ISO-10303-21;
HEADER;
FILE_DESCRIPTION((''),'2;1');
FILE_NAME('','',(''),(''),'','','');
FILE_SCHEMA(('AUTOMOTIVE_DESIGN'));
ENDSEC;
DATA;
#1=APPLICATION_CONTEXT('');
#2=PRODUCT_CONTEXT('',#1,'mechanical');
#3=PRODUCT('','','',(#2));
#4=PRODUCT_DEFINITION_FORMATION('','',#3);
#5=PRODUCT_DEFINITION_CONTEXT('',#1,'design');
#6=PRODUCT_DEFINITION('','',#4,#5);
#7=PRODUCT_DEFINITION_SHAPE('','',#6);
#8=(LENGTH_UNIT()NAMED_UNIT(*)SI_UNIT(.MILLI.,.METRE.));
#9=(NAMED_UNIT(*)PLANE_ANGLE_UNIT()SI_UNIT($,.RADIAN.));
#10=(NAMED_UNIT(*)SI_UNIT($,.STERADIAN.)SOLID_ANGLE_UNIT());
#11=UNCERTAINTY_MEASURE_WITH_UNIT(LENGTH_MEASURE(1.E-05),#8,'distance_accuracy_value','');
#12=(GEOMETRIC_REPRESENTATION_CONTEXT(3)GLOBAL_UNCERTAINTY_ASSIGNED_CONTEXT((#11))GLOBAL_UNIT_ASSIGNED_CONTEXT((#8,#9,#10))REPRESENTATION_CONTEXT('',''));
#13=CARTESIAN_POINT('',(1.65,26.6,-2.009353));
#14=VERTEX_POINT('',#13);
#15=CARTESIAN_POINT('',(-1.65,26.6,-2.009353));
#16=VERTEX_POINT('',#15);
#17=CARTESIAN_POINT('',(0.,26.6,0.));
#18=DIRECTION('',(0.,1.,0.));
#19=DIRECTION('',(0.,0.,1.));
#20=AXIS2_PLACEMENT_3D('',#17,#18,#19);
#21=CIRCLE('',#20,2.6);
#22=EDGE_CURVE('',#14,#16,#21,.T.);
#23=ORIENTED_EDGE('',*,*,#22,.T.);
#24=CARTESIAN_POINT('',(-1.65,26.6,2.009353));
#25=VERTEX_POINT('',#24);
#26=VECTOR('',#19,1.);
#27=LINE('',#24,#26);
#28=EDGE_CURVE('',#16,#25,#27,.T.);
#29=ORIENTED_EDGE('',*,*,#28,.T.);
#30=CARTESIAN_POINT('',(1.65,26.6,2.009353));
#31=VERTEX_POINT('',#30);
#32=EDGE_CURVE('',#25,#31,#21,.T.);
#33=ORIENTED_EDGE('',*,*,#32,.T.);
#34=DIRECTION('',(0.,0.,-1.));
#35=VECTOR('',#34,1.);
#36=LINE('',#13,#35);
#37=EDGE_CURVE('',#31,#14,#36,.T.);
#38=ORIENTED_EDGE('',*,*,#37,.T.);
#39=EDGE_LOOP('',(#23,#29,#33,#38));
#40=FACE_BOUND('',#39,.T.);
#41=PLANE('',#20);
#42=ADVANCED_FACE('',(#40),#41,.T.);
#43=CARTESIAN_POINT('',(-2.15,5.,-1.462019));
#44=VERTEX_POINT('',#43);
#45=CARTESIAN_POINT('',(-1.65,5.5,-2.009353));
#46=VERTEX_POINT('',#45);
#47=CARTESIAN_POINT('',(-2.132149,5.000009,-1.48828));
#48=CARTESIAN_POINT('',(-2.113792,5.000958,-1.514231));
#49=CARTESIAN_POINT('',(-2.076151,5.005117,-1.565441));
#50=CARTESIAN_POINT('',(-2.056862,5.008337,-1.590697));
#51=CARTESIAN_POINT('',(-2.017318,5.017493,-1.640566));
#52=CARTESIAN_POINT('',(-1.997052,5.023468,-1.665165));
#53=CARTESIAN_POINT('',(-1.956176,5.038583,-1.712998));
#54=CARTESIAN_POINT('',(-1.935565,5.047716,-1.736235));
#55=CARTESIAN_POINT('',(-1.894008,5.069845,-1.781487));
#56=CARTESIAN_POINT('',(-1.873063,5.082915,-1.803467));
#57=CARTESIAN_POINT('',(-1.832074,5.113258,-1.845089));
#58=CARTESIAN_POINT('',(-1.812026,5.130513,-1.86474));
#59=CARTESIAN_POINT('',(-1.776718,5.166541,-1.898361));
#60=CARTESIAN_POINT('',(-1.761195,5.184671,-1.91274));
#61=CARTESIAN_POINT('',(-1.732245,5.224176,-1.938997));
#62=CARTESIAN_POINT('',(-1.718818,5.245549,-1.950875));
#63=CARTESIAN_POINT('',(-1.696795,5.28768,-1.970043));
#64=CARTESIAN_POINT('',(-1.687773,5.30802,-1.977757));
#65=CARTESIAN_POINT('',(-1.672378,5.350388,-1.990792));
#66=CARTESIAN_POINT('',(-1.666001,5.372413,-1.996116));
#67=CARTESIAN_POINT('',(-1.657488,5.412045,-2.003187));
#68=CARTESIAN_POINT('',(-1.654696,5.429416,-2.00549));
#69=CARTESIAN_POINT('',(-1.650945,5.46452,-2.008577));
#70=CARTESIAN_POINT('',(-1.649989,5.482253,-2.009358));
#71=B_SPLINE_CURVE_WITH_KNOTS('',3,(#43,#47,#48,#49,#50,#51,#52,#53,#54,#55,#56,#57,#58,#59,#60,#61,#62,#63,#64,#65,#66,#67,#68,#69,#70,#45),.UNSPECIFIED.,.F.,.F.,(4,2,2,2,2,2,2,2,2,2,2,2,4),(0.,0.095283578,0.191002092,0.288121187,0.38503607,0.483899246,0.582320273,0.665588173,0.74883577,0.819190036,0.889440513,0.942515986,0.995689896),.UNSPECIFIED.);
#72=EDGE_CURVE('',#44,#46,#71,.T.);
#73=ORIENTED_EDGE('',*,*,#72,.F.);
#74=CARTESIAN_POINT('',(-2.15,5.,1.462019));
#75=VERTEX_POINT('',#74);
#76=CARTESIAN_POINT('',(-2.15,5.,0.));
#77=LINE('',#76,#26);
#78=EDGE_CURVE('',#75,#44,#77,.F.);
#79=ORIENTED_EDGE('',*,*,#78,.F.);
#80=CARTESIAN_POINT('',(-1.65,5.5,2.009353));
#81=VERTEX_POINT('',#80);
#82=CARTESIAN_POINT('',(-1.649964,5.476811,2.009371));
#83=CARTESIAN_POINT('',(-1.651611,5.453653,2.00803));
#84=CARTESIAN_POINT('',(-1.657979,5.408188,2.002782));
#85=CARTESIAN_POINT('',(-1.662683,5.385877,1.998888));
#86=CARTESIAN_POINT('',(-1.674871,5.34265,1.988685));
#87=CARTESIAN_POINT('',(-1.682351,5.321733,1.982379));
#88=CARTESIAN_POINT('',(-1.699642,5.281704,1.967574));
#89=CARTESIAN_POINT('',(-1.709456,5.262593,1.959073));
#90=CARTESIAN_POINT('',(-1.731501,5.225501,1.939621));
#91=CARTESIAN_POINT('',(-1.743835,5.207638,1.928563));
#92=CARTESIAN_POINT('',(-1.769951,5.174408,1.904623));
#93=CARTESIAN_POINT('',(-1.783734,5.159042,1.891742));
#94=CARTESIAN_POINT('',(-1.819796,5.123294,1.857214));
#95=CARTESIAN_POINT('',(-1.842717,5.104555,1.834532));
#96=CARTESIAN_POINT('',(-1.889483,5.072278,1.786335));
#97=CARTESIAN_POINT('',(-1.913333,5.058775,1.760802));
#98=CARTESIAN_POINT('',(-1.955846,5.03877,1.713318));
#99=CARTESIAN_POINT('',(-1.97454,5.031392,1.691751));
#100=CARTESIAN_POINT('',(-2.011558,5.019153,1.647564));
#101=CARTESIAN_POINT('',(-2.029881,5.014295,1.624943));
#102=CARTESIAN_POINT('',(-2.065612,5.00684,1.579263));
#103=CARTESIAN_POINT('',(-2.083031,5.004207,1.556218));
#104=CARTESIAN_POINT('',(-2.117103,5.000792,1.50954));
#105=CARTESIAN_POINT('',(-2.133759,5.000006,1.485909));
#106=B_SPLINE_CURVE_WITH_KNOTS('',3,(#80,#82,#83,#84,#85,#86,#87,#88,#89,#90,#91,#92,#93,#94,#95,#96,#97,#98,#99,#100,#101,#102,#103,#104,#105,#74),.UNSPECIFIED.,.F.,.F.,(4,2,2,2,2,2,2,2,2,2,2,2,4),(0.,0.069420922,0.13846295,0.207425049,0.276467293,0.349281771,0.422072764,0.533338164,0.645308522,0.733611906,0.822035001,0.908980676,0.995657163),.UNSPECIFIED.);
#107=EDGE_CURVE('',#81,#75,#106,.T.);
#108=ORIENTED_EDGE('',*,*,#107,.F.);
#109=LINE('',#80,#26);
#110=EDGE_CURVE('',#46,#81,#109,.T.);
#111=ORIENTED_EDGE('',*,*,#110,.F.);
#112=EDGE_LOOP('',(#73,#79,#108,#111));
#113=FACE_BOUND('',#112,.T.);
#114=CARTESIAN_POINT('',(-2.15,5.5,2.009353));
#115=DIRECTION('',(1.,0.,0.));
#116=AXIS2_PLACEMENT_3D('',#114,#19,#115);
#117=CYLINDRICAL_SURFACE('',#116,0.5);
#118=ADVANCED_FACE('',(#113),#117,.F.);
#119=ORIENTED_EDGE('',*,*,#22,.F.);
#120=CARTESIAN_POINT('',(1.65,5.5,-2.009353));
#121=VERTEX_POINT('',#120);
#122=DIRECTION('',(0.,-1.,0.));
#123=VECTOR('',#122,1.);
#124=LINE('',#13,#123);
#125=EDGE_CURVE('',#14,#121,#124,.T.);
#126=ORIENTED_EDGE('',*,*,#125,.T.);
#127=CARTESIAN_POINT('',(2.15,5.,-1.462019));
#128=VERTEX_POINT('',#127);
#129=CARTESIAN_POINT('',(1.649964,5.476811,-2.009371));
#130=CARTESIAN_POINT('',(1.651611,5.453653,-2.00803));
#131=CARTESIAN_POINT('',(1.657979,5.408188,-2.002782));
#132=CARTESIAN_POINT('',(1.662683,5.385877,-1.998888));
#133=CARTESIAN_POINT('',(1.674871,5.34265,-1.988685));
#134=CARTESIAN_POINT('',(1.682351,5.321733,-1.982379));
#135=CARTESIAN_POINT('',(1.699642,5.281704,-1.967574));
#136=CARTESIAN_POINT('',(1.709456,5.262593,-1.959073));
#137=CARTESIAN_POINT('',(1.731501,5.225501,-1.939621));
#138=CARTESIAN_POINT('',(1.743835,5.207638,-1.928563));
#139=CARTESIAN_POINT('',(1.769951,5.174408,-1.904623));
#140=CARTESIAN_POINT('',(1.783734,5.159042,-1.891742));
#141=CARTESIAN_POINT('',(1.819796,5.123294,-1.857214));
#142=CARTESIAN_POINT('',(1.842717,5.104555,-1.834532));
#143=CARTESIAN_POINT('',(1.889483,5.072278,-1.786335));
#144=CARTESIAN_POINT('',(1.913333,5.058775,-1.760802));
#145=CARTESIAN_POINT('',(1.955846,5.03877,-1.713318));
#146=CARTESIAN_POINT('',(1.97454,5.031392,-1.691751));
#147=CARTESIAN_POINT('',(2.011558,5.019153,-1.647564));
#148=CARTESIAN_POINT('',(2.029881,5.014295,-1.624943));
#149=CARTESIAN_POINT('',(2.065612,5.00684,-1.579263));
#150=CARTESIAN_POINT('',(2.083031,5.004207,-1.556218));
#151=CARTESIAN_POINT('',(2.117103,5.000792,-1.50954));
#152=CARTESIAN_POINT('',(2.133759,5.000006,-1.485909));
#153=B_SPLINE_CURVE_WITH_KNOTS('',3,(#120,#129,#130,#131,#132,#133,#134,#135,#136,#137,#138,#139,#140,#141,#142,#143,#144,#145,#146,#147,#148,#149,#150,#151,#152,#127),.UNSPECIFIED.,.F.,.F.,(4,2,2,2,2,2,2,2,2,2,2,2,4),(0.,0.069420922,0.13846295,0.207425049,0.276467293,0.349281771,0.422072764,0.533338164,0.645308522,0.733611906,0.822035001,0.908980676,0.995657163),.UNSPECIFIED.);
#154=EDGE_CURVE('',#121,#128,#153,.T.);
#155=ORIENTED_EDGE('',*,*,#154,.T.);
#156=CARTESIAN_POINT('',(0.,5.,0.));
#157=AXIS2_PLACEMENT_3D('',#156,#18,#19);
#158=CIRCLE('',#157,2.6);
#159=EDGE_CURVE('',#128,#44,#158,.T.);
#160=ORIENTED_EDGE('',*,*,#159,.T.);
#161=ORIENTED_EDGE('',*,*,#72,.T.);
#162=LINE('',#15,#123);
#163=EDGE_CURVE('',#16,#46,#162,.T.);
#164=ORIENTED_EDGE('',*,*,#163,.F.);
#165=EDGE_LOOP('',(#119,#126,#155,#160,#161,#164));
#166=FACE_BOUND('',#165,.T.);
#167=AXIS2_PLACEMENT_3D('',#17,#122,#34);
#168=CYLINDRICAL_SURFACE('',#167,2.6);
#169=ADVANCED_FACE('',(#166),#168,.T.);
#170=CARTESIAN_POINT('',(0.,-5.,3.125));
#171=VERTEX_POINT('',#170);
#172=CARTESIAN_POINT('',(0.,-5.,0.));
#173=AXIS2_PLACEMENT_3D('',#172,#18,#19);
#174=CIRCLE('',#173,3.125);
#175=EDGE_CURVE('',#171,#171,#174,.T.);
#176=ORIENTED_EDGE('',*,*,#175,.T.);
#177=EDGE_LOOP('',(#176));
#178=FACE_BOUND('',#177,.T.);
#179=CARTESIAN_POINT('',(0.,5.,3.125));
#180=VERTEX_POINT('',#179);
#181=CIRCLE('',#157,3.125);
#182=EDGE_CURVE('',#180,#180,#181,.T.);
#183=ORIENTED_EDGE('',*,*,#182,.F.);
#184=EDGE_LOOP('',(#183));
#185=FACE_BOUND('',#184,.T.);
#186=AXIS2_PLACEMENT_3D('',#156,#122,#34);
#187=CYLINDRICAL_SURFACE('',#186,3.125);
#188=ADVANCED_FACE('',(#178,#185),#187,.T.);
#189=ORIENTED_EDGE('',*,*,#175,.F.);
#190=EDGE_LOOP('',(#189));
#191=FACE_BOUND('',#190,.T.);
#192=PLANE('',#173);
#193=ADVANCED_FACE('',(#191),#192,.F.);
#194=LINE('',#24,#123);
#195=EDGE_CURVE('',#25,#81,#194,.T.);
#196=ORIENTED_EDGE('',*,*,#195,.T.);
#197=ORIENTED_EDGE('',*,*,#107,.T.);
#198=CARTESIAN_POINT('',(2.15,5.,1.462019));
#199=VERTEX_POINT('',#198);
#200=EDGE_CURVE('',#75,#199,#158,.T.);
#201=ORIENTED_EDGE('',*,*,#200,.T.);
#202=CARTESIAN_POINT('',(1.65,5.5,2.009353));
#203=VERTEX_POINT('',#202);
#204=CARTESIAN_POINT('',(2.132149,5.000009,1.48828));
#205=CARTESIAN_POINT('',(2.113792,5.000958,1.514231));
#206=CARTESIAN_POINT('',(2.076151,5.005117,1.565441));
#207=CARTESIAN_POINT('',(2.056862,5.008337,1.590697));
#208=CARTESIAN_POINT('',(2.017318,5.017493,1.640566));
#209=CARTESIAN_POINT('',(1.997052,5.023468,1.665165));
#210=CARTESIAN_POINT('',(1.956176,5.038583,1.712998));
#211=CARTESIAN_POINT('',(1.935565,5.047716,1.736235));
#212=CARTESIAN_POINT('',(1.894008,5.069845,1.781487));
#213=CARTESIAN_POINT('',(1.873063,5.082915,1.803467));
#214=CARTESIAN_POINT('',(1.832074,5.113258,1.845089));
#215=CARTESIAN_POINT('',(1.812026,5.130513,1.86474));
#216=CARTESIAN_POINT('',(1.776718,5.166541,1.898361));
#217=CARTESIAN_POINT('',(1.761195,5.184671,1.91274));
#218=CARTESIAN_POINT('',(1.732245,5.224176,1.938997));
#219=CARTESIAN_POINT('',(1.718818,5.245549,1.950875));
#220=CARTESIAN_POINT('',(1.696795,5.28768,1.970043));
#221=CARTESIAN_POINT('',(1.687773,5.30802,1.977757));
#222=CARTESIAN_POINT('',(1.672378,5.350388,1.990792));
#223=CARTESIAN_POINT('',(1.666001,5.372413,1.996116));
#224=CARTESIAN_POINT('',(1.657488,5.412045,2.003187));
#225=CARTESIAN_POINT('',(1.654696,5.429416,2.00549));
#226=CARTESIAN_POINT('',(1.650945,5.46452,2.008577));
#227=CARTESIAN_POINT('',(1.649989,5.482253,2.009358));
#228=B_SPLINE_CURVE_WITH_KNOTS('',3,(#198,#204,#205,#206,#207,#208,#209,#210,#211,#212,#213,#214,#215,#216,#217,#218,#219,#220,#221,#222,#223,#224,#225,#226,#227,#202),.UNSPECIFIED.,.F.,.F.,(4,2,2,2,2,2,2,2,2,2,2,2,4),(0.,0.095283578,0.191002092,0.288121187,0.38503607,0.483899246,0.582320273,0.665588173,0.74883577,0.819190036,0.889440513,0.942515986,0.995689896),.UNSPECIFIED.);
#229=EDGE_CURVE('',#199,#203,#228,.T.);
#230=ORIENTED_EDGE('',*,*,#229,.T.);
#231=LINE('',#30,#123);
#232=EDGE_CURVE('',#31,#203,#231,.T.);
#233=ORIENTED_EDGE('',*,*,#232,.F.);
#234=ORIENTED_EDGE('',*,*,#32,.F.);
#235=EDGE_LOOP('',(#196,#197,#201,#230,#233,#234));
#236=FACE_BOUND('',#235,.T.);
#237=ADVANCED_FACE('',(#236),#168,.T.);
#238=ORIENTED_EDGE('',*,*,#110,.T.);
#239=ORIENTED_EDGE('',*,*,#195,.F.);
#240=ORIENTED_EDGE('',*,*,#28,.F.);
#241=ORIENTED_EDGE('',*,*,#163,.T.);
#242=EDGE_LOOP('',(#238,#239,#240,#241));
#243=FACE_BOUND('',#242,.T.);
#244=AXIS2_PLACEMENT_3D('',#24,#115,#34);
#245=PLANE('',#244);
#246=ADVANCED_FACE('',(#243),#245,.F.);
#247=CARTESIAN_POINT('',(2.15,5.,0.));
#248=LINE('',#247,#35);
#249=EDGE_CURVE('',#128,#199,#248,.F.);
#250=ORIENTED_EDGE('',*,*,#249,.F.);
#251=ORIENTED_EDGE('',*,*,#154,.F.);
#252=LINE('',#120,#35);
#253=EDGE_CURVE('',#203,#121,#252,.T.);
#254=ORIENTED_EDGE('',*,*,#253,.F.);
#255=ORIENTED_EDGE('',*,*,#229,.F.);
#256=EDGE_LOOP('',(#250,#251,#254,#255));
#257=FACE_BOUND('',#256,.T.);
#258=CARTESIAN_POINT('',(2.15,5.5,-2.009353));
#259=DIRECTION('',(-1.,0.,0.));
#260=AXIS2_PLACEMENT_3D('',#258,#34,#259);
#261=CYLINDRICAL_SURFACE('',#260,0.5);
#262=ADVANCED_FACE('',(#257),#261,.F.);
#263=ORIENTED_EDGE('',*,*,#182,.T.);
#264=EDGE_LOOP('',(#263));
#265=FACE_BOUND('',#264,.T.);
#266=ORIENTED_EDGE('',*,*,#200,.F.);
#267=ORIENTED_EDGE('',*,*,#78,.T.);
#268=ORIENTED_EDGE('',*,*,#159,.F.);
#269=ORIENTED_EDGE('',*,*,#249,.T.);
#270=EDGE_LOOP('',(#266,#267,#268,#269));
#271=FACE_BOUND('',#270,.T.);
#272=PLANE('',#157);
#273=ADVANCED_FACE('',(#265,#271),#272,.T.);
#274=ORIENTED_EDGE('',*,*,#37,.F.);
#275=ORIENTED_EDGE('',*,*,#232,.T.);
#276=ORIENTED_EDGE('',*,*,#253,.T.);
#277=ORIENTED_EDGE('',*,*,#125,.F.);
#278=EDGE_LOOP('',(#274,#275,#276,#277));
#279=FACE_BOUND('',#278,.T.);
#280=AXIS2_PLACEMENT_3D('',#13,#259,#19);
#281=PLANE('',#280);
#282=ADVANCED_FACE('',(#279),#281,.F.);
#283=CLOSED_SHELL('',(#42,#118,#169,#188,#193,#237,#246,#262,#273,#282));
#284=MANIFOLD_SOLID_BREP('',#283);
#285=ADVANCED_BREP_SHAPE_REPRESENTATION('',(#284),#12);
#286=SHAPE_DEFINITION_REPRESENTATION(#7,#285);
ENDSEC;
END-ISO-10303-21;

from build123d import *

# Parameters (mm, degrees)
SKETCH1_R           = 3.125
BOSS_EXTRUDE1_DEPTH = 5
BOSS_EXTRUDE2_DEPTH = 21.6
FILLET1_R           = 0.5


with BuildPart() as part:
    # Sketch1 → Boss-Extrude1 (new, symmetric)
    with BuildSketch(Plane(origin=(0, 0, 0), x_dir=(1, 0, 0), z_dir=(0, 1, 0))):
        with Locations(Location((0, 0, 0), (0, 0, 270))):
            Circle(SKETCH1_R)
    extrude(amount=BOSS_EXTRUDE1_DEPTH, both=True)

    # Sketch2 → Boss-Extrude2 (add)
    with BuildSketch(Plane(origin=(0, 5, 0), x_dir=(1, 0, 0), z_dir=(0, 1, 0))):
        with BuildLine():
            Line((-1.65, -2.00935313), (-1.65, 2.00935313))
            ThreePointArc((-1.65, 2.00935313), (0, 2.6), (1.65, 2.00935313))
            Line((1.65, 2.00935313), (1.65, -2.00935313))
            ThreePointArc((1.65, -2.00935313), (0, -2.6), (-1.65, -2.00935313))
        make_face()
    extrude(amount=BOSS_EXTRUDE2_DEPTH)

    # Fillet1
    fillet1_edges = [part.edges().sort_by_distance(p)[0] for p in [
        (1.65, 5, 0),
        (-1.65, 5, 0),
    ]]
    fillet(fillet1_edges, radius=FILLET1_R)


solid = part.part
